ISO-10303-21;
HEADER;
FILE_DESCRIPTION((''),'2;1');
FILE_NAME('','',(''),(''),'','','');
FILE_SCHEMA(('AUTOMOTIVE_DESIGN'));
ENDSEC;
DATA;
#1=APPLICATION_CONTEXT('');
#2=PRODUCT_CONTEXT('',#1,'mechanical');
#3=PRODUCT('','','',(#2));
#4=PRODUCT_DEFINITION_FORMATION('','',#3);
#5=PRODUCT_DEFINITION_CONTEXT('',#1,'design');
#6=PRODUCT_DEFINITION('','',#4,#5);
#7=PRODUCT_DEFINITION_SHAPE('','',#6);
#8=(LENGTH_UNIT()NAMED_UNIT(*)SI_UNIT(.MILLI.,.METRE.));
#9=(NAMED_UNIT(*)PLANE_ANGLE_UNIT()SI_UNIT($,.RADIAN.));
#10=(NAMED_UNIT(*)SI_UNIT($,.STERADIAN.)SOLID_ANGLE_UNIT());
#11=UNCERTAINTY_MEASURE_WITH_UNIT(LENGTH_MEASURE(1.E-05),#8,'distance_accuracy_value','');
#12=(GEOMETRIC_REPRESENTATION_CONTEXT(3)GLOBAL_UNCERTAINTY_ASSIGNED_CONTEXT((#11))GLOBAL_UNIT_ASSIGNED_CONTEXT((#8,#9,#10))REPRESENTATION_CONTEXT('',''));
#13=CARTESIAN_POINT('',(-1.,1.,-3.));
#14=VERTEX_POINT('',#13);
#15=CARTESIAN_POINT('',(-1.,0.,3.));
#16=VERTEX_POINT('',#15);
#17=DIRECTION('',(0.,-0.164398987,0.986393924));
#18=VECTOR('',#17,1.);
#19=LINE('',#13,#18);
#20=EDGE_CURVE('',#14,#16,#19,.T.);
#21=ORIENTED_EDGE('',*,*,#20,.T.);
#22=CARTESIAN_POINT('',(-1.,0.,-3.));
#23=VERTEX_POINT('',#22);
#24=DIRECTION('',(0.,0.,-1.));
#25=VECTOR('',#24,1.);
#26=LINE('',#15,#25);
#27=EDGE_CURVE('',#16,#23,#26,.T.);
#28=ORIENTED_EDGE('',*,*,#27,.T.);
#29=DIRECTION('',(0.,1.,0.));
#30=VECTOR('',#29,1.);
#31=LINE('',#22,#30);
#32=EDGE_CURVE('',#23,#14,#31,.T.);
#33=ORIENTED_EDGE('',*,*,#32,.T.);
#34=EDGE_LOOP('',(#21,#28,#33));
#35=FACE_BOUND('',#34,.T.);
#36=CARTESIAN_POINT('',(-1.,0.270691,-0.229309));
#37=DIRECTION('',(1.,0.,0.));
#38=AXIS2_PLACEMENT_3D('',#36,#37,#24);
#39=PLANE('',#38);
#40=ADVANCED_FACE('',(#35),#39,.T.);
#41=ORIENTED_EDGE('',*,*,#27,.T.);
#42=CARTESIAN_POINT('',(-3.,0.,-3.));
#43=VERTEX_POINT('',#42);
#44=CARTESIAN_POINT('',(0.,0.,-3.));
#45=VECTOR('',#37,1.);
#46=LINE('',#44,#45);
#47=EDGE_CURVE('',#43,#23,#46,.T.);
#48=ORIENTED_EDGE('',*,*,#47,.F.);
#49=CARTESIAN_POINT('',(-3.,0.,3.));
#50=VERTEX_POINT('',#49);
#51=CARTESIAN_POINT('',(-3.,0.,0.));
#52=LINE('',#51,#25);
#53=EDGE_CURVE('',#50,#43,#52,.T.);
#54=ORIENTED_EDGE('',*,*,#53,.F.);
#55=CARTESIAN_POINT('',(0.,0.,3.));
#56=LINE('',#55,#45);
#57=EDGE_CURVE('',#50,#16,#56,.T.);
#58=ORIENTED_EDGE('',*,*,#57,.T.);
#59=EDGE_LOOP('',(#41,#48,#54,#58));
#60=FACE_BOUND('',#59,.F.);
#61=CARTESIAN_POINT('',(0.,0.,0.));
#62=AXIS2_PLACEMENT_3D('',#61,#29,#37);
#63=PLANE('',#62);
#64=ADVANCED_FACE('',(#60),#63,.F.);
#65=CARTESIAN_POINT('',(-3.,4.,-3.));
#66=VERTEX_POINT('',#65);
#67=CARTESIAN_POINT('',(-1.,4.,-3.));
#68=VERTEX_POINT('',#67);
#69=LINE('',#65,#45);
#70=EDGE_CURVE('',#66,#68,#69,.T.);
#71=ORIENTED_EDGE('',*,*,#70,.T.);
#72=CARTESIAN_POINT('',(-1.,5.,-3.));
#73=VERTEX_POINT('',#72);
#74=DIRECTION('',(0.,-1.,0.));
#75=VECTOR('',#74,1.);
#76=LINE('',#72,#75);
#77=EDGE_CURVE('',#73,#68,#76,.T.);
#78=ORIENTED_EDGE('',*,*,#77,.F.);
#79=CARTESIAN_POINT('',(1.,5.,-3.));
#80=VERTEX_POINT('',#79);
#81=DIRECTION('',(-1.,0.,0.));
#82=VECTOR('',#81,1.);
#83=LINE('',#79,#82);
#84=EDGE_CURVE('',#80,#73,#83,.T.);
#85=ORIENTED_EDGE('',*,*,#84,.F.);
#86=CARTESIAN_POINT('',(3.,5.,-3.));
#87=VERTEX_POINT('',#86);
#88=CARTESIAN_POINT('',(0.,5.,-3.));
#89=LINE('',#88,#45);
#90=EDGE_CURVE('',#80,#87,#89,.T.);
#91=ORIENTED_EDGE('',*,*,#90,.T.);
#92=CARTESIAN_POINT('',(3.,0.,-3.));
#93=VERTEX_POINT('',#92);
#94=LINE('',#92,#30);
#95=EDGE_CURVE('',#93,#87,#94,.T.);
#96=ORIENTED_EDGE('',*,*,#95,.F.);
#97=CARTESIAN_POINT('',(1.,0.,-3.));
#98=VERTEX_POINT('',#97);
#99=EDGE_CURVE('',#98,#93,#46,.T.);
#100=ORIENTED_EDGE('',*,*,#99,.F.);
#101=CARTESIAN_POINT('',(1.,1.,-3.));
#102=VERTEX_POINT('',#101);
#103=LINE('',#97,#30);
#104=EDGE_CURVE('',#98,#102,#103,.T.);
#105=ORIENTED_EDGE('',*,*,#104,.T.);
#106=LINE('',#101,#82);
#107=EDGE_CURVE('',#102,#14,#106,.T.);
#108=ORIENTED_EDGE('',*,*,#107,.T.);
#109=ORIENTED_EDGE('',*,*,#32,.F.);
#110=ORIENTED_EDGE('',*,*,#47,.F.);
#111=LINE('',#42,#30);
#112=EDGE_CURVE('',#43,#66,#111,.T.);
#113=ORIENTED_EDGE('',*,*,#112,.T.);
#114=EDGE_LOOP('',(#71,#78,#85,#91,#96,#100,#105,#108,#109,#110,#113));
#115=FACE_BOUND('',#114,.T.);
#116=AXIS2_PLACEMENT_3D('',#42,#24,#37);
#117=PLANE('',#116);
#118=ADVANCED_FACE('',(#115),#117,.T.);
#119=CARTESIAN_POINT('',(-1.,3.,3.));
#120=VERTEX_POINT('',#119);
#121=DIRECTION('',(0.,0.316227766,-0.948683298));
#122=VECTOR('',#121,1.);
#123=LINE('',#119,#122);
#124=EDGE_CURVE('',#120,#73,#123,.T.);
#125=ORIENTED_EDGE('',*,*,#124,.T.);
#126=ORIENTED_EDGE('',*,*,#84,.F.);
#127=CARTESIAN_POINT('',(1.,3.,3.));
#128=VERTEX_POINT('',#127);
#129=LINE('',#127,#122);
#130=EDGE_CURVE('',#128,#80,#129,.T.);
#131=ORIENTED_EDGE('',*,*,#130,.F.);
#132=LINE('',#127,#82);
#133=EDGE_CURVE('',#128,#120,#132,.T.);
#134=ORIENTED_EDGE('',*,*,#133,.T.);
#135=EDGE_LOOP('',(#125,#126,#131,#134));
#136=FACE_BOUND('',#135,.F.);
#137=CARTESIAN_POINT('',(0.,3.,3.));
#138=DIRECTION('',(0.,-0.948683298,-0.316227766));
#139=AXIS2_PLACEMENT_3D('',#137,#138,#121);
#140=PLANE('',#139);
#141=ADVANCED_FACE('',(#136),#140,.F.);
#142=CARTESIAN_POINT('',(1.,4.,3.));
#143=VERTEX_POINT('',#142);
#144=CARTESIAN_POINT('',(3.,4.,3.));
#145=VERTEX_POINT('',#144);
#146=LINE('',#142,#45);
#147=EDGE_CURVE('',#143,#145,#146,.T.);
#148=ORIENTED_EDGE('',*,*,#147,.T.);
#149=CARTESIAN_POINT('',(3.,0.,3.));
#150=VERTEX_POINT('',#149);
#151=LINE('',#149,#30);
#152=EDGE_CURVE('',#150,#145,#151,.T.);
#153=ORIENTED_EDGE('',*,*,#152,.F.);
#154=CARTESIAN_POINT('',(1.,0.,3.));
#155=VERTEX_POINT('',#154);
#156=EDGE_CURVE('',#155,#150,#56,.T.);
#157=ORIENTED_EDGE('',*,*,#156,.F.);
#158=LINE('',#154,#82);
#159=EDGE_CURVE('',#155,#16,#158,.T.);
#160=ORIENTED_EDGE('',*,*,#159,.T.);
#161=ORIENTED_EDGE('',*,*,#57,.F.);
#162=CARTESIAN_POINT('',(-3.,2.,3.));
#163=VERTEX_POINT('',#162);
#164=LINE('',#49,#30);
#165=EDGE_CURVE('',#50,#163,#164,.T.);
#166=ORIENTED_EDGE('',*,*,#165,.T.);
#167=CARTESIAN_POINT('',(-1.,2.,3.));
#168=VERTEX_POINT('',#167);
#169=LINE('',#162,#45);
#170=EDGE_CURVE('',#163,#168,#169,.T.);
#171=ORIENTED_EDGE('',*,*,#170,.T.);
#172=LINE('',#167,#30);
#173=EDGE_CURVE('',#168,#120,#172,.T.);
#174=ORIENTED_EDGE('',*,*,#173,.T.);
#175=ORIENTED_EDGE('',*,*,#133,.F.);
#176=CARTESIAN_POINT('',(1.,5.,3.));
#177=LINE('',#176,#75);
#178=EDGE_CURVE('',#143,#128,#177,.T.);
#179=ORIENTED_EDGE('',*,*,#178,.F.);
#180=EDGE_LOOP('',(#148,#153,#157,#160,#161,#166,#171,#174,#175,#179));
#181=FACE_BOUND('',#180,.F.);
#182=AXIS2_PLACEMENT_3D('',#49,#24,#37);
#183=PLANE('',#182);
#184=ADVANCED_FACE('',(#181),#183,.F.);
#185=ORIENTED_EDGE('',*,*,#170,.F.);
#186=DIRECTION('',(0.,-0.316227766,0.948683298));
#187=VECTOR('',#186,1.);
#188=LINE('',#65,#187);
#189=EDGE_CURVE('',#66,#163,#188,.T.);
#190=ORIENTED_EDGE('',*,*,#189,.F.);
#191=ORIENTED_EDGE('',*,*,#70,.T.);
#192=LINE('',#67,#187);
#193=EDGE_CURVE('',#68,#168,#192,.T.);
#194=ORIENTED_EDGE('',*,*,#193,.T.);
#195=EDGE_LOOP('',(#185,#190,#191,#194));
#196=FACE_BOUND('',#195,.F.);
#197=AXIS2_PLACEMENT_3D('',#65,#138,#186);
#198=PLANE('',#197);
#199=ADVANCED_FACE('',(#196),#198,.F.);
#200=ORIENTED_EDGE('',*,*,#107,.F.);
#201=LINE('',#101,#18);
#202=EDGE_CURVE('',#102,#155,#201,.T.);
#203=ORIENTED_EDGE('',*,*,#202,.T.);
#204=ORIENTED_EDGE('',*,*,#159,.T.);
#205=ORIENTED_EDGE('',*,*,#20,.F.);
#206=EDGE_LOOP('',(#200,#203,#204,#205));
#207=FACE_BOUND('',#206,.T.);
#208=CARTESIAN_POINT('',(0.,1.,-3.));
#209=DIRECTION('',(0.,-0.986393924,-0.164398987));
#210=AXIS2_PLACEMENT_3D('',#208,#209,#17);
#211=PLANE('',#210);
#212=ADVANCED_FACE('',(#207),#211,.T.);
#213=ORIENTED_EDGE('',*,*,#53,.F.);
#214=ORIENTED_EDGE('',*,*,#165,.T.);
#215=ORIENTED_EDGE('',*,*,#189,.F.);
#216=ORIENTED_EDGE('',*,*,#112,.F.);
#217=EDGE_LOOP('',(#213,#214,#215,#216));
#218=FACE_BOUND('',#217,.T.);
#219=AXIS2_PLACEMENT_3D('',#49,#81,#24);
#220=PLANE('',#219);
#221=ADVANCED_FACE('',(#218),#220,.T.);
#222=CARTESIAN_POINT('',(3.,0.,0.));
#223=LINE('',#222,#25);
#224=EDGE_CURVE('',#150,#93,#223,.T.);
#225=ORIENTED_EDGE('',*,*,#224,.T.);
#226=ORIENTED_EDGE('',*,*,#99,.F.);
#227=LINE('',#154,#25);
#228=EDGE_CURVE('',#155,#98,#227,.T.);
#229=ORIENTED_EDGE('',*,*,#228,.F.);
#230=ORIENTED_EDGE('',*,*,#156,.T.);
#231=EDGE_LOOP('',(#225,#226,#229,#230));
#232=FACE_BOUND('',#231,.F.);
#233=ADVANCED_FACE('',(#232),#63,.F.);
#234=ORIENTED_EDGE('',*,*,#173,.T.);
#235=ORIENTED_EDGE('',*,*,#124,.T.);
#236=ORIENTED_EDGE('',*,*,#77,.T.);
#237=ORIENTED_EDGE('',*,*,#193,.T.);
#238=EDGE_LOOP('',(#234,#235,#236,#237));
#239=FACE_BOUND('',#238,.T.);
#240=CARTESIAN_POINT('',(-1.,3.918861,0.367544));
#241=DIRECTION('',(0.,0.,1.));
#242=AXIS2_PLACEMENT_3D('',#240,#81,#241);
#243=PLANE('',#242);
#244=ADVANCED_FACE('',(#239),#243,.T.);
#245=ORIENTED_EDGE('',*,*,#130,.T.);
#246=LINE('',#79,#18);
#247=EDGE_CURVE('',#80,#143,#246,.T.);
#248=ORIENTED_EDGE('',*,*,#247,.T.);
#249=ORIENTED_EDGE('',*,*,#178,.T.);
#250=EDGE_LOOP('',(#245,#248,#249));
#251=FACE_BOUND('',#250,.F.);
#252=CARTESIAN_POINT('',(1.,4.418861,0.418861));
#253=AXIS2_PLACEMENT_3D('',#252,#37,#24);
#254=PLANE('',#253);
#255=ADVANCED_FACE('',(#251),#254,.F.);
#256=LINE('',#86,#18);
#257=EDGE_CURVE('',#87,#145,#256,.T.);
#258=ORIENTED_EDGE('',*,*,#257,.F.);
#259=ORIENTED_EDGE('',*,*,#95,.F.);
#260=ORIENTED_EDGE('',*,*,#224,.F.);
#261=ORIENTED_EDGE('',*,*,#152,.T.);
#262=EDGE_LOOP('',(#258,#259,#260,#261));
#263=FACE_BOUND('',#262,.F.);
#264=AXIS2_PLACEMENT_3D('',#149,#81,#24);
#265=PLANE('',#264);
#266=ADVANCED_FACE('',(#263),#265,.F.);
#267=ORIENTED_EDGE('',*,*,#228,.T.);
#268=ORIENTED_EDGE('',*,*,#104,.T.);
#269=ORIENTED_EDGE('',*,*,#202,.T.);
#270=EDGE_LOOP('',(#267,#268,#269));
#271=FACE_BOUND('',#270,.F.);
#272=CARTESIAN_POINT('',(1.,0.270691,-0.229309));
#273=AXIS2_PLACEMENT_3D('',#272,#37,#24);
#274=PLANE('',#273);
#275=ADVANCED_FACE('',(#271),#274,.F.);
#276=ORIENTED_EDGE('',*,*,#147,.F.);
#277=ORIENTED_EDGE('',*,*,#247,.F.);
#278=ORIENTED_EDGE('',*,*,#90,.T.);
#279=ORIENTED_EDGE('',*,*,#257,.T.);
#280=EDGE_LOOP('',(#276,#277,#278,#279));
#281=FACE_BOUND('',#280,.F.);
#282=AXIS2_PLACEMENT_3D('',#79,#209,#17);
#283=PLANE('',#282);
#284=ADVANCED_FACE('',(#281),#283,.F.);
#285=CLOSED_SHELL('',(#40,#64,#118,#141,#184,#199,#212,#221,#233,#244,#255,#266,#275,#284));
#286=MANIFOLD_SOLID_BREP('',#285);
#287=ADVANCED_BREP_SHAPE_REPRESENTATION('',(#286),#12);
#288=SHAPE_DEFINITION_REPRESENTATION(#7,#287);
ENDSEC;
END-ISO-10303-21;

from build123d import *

# Parameters (mm, degrees)
SKETCH1_W           = 6
SKETCH1_H           = 6
BOSS_EXTRUDE1_DEPTH = 5
CUT_EXTRUDE1_DEPTH  = 1
CUT_EXTRUDE2_DEPTH  = 2
CUT_EXTRUDE3_DEPTH  = 2


with BuildPart() as part:
    # Sketch1 → Boss-Extrude1 (new body)
    with BuildSketch(Plane(origin=(0, 0, 0), x_dir=(1, 0, 0), z_dir=(0, 1, 0))):
        Rectangle(SKETCH1_W, SKETCH1_H)
    extrude(amount=BOSS_EXTRUDE1_DEPTH)

    # Sketch2 → Cut-Extrude1 (cut, symmetric)
    with BuildSketch(Plane(origin=(0, 0, 0), x_dir=(0, 0, -1), z_dir=(1, 0, 0))):
        Polygon((-3, 0), (3, 0), (3, 1), align=None)
        Polygon((3, 5), (-3, 5), (-3, 3), align=None)
    extrude(amount=CUT_EXTRUDE1_DEPTH, both=True, mode=Mode.SUBTRACT)

    # Sketch3 → Cut-Extrude2 (cut)
    with BuildSketch(Plane.ZY.offset(3)):
        Polygon((-3, 4), (3, 2), (3, 5), (-3, 5), align=None)
    extrude(amount=-CUT_EXTRUDE2_DEPTH, mode=Mode.SUBTRACT)

    # Sketch4 → Cut-Extrude3 (cut)
    with BuildSketch(Plane.ZY.offset(-1)):
        Polygon((3, 5), (-3, 5), (3, 4), align=None)
    extrude(amount=-CUT_EXTRUDE3_DEPTH, mode=Mode.SUBTRACT)


solid = part.part
